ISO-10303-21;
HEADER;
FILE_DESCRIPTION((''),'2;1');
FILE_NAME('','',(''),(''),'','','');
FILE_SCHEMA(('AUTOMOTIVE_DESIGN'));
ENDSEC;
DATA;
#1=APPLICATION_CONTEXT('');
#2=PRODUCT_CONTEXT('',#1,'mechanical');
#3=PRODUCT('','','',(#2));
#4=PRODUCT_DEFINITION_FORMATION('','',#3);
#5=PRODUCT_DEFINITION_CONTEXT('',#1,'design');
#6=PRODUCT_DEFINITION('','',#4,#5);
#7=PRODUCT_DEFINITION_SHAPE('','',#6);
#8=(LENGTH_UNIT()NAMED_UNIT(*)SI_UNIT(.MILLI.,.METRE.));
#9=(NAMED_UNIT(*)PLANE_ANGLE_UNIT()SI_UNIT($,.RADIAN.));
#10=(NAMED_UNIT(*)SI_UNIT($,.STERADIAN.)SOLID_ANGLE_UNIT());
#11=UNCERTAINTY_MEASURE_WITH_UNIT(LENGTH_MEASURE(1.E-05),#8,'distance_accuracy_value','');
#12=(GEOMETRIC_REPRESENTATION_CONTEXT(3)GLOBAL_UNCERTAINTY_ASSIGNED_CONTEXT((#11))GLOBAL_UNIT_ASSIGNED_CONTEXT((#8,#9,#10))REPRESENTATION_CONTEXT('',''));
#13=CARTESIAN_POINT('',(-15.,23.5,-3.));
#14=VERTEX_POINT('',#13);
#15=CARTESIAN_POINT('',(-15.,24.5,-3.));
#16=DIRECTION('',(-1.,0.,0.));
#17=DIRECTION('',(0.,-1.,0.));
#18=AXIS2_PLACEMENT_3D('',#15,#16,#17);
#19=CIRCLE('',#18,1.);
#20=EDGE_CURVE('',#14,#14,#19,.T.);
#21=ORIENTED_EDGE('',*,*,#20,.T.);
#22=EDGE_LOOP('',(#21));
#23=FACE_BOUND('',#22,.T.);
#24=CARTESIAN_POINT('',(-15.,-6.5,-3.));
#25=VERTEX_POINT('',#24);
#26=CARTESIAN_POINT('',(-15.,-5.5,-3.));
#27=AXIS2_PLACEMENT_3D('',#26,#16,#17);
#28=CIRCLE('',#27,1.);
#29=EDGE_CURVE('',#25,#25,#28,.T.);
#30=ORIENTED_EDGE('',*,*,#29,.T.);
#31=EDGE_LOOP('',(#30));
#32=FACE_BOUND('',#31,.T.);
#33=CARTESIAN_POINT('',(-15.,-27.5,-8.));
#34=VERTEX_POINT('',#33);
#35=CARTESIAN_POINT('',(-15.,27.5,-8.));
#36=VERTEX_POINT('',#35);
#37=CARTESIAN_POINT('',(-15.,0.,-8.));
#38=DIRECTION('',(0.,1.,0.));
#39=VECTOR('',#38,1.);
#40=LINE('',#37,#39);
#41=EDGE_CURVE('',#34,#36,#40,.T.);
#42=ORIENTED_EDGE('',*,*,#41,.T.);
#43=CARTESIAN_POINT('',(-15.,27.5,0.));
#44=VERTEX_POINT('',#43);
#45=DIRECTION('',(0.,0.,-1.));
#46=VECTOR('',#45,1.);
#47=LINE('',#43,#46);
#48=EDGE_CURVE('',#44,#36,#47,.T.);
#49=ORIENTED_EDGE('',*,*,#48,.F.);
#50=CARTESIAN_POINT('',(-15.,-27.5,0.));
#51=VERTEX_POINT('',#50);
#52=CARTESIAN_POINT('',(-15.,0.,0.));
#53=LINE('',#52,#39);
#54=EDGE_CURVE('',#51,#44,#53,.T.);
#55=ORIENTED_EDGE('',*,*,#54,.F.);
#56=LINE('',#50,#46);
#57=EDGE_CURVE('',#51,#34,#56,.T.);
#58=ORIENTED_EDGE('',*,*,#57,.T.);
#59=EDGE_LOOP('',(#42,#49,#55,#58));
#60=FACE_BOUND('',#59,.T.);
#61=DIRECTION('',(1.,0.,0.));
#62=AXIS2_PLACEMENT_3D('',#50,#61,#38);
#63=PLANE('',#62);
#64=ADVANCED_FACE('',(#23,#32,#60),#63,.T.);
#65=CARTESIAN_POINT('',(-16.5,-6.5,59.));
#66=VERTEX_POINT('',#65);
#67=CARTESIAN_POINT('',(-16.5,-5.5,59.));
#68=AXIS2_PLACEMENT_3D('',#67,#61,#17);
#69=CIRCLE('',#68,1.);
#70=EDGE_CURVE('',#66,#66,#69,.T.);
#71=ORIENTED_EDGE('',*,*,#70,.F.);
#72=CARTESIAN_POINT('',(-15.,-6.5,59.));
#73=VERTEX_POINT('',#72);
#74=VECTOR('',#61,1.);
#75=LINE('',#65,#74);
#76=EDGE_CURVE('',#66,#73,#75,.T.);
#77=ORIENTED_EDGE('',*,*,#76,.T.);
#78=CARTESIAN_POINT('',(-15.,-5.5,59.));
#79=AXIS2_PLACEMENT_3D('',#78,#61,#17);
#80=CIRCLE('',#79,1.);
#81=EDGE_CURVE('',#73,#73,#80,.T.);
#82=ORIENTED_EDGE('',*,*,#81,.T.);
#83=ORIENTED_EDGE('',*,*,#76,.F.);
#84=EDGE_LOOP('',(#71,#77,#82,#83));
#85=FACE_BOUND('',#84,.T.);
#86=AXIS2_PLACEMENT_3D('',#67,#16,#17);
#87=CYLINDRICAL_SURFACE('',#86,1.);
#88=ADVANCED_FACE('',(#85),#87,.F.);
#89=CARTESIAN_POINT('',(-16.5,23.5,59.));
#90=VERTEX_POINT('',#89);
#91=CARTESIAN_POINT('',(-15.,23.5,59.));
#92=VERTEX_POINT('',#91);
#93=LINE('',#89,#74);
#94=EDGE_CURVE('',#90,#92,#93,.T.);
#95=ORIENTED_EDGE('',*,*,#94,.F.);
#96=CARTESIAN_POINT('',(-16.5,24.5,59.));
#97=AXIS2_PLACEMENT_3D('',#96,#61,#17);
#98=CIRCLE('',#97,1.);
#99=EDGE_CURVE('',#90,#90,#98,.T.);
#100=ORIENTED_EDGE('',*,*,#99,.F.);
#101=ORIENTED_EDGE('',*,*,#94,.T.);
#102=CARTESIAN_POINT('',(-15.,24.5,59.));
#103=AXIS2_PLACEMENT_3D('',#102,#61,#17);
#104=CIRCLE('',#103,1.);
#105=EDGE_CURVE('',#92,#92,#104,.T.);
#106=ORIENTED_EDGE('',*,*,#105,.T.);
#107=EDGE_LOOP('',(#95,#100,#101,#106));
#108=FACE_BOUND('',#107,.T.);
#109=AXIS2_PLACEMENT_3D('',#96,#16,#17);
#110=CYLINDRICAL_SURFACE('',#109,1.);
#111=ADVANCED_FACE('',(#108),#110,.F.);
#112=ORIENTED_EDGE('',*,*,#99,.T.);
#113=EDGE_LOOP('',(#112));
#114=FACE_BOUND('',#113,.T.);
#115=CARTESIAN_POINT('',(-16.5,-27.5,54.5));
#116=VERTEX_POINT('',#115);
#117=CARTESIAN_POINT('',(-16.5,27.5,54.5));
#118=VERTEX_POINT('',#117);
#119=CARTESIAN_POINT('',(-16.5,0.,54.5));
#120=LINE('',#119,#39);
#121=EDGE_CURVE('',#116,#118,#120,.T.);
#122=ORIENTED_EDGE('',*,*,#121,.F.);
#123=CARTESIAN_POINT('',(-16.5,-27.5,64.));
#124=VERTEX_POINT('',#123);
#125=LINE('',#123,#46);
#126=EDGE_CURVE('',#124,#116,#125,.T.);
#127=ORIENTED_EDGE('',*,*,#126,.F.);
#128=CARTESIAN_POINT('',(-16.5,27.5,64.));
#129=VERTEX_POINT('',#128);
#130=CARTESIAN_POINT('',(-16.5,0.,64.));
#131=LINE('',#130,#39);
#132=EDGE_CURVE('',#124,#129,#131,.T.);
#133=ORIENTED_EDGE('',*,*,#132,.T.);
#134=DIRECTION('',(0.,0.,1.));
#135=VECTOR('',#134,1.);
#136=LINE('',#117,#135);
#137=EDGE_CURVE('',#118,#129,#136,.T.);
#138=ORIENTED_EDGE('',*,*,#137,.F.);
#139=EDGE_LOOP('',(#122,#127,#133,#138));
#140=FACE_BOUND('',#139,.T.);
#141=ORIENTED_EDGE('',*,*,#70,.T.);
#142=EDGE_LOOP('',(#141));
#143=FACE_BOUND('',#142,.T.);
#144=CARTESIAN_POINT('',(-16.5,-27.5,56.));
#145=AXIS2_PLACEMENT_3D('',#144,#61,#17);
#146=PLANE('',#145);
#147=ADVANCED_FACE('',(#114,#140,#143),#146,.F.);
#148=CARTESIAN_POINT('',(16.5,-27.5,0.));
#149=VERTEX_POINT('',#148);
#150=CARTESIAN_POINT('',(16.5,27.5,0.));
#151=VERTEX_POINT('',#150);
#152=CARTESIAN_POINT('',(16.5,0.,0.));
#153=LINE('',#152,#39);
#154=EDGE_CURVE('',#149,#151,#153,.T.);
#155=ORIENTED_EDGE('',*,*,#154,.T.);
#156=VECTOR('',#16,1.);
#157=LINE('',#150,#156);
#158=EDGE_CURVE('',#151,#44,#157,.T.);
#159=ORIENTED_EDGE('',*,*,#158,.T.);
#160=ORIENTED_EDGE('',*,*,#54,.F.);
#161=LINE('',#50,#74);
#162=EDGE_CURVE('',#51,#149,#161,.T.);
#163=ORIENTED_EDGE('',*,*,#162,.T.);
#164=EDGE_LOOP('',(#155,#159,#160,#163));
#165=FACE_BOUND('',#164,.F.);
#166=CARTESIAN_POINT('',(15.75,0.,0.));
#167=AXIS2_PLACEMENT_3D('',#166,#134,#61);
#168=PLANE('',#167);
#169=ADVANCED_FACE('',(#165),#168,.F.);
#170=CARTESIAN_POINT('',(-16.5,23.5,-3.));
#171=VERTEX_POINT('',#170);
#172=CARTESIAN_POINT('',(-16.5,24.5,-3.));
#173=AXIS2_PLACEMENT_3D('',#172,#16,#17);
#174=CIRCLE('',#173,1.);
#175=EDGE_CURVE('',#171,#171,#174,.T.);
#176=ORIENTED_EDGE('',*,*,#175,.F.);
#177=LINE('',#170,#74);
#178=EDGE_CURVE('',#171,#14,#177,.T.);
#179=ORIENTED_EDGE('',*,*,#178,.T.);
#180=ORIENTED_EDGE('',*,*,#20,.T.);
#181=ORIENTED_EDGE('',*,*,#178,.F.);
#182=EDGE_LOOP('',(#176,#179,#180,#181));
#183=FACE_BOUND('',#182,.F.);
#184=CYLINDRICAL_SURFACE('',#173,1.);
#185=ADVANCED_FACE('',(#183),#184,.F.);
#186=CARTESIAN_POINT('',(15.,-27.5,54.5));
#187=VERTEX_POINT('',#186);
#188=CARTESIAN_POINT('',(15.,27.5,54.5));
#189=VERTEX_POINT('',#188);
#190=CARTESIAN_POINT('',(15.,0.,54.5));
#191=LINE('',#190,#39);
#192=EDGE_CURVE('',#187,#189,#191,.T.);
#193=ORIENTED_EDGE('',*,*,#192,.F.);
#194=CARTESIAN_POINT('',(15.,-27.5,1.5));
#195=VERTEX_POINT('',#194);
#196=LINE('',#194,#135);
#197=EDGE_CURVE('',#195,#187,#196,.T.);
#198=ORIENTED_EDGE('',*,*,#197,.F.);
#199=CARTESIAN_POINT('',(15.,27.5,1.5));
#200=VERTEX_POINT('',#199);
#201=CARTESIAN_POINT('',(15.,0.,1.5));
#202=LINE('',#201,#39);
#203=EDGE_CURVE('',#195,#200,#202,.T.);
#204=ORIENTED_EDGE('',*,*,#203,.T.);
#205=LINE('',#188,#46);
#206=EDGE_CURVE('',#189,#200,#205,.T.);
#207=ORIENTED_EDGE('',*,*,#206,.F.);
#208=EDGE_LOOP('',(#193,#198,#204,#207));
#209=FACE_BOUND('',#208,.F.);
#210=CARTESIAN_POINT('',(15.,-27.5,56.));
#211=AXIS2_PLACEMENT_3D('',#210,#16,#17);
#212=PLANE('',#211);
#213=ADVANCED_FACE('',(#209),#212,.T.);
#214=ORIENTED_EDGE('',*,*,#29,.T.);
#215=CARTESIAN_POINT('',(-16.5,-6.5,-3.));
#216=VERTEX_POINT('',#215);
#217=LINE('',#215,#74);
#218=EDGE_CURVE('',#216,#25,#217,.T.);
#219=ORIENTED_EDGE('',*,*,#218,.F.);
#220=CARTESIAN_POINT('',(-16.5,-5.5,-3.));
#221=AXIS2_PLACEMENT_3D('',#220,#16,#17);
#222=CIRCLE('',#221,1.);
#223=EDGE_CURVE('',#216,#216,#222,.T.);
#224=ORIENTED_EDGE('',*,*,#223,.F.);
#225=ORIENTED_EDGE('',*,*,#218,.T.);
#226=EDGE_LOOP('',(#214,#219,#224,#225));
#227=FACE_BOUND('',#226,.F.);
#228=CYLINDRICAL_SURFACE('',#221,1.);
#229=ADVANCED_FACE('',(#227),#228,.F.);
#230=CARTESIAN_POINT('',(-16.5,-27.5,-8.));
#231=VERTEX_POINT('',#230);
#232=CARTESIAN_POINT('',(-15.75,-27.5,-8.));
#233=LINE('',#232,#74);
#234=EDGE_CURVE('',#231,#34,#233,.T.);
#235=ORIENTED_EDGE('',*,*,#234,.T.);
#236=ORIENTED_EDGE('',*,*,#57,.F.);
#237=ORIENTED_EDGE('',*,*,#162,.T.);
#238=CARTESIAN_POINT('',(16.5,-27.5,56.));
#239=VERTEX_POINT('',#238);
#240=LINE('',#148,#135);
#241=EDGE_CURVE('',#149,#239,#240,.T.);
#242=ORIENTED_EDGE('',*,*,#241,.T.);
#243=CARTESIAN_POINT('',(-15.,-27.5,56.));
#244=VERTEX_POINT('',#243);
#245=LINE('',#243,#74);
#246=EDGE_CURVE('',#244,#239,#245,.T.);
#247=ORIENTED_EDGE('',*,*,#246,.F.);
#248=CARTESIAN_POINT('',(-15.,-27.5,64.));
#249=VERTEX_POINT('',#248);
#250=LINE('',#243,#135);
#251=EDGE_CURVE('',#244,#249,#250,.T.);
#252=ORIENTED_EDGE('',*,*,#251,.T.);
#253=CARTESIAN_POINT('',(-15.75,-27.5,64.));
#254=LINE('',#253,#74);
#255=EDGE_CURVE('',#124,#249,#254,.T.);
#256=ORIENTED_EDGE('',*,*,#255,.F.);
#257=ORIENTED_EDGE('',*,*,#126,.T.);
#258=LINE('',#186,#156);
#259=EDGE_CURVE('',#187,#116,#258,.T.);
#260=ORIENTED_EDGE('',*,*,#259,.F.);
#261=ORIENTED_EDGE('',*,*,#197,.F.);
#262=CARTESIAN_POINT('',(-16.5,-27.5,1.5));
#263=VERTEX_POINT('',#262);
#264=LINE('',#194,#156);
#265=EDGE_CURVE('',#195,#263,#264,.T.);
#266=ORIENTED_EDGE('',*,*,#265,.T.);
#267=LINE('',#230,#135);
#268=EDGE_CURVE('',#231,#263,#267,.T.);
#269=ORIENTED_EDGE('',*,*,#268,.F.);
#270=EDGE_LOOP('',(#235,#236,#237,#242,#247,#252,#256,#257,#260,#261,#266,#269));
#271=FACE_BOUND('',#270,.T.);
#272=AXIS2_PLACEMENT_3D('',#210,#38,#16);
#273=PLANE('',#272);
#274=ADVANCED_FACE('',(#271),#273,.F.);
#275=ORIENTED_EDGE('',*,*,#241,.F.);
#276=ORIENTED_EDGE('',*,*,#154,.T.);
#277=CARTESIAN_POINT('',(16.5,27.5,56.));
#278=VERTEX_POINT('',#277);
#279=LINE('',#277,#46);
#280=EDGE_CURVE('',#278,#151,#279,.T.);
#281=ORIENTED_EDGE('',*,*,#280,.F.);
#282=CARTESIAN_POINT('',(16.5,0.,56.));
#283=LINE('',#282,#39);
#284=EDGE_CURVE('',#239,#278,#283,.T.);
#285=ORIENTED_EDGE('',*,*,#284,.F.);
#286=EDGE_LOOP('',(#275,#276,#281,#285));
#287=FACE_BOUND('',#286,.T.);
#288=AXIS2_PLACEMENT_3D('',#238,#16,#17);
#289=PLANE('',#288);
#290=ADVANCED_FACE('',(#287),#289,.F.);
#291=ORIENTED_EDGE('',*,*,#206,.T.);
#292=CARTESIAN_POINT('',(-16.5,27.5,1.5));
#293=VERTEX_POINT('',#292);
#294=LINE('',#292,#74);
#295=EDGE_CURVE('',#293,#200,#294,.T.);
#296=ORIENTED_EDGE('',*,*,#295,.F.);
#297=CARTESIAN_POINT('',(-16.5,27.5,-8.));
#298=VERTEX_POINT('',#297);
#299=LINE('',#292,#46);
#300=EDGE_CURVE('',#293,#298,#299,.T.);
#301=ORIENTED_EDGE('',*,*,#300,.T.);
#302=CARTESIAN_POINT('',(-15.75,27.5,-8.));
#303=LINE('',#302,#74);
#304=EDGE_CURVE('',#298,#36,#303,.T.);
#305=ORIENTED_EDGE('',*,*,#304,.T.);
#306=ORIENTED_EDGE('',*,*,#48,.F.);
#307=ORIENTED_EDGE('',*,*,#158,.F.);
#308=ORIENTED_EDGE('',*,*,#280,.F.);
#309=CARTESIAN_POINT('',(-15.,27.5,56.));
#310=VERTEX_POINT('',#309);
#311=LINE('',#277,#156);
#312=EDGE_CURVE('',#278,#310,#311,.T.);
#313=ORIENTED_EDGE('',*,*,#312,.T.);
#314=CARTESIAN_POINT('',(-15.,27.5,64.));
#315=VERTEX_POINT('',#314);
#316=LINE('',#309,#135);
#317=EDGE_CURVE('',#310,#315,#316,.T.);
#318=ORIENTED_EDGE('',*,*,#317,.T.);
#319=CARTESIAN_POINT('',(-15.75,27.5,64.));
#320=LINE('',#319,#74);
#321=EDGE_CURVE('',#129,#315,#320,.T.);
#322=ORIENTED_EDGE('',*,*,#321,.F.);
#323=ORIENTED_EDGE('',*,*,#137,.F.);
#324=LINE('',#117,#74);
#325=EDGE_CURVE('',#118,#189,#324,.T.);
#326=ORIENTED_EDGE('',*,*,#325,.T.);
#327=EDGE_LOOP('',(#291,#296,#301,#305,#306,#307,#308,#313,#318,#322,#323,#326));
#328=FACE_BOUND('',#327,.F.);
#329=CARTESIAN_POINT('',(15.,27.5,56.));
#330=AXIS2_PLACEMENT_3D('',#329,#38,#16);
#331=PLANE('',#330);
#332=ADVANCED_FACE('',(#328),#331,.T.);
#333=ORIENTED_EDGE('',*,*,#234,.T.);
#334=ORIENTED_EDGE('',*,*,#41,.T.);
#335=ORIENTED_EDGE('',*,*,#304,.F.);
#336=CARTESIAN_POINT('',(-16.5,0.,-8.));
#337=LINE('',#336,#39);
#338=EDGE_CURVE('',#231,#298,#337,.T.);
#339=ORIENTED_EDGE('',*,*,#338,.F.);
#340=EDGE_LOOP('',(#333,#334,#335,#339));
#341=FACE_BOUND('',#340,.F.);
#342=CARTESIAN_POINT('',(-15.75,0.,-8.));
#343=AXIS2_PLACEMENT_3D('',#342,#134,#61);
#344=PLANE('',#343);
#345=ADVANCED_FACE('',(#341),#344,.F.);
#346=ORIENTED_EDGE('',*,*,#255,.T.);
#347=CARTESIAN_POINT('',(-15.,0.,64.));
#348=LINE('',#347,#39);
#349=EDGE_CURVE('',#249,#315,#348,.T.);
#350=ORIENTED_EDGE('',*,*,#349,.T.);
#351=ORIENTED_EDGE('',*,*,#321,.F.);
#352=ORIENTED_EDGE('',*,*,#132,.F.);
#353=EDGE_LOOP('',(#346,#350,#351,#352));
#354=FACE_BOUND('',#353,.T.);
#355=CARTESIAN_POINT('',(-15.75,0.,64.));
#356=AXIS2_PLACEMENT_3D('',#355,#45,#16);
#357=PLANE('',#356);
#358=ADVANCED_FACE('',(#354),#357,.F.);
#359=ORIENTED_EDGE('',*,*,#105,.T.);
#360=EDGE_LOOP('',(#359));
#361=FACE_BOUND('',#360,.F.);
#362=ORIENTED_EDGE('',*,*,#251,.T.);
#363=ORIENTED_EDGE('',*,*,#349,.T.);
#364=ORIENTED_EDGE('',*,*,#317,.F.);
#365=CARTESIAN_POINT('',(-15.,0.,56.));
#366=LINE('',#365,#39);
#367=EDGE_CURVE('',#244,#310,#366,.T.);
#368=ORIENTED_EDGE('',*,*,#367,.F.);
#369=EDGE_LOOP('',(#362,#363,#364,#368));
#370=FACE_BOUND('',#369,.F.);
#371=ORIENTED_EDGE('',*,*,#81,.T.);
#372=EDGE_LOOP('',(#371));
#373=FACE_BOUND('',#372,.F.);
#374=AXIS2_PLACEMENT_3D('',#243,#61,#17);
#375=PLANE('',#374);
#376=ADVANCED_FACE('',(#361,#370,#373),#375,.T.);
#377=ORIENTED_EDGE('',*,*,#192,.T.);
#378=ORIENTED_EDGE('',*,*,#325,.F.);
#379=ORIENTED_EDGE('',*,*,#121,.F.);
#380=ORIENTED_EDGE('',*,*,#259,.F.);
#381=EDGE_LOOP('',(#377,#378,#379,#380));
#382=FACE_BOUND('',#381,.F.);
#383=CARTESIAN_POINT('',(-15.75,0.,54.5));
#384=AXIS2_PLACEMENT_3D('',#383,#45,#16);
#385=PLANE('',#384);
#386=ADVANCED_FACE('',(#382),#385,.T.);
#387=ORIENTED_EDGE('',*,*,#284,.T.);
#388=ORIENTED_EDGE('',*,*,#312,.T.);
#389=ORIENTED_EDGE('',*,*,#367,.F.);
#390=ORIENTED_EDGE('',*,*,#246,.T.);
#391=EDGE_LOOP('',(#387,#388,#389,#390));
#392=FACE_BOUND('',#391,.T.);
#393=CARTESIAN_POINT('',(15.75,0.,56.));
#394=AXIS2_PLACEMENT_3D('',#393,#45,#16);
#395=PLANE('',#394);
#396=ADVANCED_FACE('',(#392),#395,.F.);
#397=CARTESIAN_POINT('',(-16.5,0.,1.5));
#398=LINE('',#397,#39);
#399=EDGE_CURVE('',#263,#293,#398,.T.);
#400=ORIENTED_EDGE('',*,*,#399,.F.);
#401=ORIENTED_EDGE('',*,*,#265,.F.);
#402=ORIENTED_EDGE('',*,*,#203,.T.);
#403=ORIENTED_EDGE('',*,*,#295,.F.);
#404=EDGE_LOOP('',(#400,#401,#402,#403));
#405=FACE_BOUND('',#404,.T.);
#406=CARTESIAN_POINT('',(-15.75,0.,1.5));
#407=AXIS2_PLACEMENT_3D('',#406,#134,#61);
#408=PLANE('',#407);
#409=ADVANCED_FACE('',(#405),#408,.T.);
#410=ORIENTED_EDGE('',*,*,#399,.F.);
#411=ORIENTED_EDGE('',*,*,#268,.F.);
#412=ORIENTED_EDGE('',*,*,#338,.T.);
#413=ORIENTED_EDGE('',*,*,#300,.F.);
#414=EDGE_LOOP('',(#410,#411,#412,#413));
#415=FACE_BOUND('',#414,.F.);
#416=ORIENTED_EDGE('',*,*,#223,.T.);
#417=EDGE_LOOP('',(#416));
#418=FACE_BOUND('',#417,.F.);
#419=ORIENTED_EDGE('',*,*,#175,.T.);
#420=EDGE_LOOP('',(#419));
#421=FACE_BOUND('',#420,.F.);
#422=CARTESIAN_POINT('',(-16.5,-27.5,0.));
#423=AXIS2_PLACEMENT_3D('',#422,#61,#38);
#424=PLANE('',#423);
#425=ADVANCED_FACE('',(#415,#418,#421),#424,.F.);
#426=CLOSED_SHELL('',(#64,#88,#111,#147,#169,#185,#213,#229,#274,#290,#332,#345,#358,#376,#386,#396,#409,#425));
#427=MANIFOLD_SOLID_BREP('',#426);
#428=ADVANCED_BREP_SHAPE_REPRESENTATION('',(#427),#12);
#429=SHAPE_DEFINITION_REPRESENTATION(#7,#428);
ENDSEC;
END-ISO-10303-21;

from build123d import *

# Parameters (mm, degrees)
F0_W          = 30
F0_H          = 55
F1_DEPTH      = 1.5
F2_W          = 1.5
F2_H          = 55
F3_DEPTH      = 1.5
F3_DEPTH_BACK = 8
F4_DEPTH      = 28
F5_R          = 1
F6_DEPTH      = 1.5


with BuildPart() as f1:
    # F0 (on Top) → F1 (new body)
    with BuildSketch(Plane.XY):
        Rectangle(F0_W, F0_H)
    extrude(amount=F1_DEPTH)

    # F2 (on Top) → F3 (join, two sides)
    with BuildSketch(Plane.XY) as f3_sk:
        with Locations((-15.75, 0)):
            Rectangle(F2_W, F2_H)
    extrude(amount=F3_DEPTH)
    extrude(f3_sk.sketch, amount=-F3_DEPTH_BACK)

    # F2 (on Top) → F4 (join)
    with BuildSketch(Plane.XY):
        with Locations((15.75, 0)):
            Rectangle(F2_W, F2_H)
    extrude(amount=F4_DEPTH)

    # F5 (on face) → F6 (cut, through all)
    with BuildSketch(Plane(origin=(-16.5, 0, 0), x_dir=(0, -1, 0), z_dir=(-1, 0, 0))):
        with Locations((-24.5, -3)):
            Circle(F5_R)
        with Locations((5.5, -3)):
            Circle(F5_R)
    extrude(amount=-F6_DEPTH, mode=Mode.SUBTRACT)

    # F7: F1 across face


with BuildPart() as f1_1:
    add(f1.part)
    add(f1.part.mirror(Plane(origin=(15.75, 0, 28), x_dir=(1, 0, 0), z_dir=(0, 0, 1))))


solid = f1_1.part
